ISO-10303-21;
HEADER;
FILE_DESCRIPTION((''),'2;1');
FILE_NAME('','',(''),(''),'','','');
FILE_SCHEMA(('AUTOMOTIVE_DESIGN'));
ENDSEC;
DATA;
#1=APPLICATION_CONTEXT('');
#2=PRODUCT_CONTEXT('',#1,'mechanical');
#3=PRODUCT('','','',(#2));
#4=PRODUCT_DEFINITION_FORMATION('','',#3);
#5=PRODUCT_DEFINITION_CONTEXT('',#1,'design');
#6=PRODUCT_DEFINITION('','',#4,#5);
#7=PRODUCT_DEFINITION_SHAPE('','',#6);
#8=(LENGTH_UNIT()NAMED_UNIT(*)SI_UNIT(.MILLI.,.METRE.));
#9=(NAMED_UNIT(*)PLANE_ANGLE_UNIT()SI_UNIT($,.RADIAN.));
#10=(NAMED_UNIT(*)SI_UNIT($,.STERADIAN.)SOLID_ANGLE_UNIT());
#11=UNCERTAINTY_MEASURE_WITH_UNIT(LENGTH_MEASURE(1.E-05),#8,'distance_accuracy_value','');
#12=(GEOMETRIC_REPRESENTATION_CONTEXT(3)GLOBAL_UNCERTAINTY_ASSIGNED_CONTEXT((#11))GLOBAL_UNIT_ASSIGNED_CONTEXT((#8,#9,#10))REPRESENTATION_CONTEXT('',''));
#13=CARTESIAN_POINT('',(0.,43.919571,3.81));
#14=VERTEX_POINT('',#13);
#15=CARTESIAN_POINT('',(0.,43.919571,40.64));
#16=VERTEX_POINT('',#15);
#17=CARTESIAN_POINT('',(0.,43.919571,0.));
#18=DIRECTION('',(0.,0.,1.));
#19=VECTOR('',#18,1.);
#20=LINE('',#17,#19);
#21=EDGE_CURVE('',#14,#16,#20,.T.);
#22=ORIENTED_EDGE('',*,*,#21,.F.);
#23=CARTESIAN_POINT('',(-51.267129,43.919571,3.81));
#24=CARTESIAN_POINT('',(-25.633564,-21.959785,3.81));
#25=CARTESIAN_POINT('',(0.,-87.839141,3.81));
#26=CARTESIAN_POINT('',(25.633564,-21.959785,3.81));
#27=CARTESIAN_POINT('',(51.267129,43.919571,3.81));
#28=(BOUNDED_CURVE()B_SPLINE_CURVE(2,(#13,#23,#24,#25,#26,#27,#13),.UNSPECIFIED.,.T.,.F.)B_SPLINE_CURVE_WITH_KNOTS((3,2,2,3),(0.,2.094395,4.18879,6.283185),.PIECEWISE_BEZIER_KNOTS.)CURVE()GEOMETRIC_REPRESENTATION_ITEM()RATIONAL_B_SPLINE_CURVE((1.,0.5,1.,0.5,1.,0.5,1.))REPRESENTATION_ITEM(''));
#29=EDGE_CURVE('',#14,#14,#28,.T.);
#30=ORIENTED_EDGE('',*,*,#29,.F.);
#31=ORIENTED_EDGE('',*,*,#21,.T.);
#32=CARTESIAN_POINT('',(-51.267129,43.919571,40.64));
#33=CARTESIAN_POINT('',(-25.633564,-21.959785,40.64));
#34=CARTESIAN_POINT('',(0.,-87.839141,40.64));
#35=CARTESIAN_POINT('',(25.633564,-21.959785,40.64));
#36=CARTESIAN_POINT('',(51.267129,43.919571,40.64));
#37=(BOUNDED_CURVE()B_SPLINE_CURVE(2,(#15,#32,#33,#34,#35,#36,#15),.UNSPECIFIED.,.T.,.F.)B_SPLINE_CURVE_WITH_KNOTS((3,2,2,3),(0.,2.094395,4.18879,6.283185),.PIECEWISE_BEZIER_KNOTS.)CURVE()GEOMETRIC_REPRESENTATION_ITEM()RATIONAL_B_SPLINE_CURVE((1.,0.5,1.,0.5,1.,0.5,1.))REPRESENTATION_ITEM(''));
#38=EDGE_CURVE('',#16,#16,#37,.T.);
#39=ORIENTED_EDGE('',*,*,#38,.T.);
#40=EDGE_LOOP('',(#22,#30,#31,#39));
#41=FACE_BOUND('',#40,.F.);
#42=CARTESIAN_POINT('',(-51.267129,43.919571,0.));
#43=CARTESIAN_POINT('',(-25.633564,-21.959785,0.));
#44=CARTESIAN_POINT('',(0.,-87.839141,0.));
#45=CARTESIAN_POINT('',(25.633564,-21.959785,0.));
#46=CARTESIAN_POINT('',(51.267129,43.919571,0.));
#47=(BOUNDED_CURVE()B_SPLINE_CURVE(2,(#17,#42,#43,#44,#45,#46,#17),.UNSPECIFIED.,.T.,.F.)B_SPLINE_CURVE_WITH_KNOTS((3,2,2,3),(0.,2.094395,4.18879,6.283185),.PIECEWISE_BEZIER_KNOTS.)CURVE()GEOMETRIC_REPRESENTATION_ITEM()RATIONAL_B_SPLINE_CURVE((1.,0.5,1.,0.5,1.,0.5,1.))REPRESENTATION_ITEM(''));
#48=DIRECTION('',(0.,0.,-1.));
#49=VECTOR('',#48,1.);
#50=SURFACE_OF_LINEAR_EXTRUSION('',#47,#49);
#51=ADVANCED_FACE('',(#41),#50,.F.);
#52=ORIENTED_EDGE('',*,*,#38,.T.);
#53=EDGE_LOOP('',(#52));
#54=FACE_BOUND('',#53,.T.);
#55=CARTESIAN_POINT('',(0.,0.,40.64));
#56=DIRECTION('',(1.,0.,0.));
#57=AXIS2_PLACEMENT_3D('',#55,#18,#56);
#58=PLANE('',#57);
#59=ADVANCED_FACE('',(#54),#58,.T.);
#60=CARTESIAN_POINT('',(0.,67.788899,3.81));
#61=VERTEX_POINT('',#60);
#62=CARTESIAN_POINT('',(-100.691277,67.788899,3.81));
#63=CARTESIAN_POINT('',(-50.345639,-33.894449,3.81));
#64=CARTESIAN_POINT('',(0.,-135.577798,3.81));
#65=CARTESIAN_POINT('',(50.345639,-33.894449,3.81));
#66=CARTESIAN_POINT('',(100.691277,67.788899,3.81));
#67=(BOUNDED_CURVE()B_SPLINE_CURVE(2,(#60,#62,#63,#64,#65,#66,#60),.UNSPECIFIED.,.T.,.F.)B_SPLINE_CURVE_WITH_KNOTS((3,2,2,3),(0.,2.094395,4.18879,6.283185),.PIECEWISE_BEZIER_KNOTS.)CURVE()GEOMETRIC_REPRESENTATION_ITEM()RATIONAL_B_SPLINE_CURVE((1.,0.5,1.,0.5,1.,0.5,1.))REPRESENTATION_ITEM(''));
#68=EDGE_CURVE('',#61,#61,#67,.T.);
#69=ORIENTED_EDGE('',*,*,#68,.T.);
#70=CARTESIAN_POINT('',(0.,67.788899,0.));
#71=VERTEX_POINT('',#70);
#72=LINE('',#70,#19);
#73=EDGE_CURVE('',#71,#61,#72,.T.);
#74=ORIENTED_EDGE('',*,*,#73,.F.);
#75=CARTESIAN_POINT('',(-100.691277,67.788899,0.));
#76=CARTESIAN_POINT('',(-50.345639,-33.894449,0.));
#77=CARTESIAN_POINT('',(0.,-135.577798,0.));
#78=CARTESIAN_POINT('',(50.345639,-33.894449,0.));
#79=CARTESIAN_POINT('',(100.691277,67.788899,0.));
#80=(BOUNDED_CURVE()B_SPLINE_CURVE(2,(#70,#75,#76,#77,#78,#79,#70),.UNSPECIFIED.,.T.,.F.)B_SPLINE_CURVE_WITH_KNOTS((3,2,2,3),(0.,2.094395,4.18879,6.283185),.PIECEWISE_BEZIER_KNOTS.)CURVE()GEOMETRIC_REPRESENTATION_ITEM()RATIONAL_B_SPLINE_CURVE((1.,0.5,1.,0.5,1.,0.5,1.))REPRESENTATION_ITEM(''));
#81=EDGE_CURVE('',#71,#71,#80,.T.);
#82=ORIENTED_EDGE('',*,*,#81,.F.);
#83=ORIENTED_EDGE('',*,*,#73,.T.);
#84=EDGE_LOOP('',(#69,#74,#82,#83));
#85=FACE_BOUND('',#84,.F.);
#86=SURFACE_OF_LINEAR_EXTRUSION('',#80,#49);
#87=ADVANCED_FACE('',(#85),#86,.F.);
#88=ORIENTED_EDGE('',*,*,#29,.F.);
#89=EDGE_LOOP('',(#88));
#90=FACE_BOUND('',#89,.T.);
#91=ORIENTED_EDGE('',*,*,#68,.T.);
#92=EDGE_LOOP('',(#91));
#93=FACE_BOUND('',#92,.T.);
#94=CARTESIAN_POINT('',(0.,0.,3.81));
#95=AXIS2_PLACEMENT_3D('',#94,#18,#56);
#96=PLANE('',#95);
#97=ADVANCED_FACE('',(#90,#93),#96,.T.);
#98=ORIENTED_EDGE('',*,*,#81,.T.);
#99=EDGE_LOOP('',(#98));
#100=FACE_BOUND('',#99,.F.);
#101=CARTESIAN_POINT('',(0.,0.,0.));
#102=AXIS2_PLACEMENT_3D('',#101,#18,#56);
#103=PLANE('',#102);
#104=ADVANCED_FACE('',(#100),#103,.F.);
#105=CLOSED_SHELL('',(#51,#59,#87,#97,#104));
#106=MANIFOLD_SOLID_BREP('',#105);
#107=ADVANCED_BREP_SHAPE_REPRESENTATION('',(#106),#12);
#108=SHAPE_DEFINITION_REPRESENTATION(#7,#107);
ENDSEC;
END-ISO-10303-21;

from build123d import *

# Parameters (mm, degrees)
F1_DEPTH = 40.64
F2_DEPTH = 3.81


with BuildPart() as f1:
    # F0 (on Top) → F1 (new body)
    with BuildSketch(Plane.XY):
        with BuildLine():
            add(Edge.make_bspline(
                [(0, 43.919571), (-51.267129, 43.919571), (-25.633564, -21.959785), (0, -87.839141), (25.633564, -21.959785), (51.267129, 43.919571), (0, 43.919571)],
                knots=[0, 0, 0, 2.094395, 2.094395, 4.18879, 4.18879, 6.283185, 6.283185, 6.283185], degree=2, weights=[1, 0.5, 1, 0.5, 1, 0.5, 1]))
        make_face()
    extrude(amount=F1_DEPTH)

    # F0 (on Top) → F2 (join)
    with BuildSketch(Plane.XY):
        with BuildLine():
            add(Edge.make_bspline(
                [(0, 67.788899), (-100.691277, 67.788899), (-50.345639, -33.894449), (0, -135.577798), (50.345639, -33.894449), (100.691277, 67.788899), (0, 67.788899)],
                knots=[0, 0, 0, 2.094395, 2.094395, 4.18879, 4.18879, 6.283185, 6.283185, 6.283185], degree=2, weights=[1, 0.5, 1, 0.5, 1, 0.5, 1]))
        make_face()
        with BuildLine():
            add(Edge.make_bspline(
                [(0, 43.919571), (-51.267129, 43.919571), (-25.633564, -21.959785), (0, -87.839141), (25.633564, -21.959785), (51.267129, 43.919571), (0, 43.919571)],
                knots=[0, 0, 0, 2.094395, 2.094395, 4.18879, 4.18879, 6.283185, 6.283185, 6.283185], degree=2, weights=[1, 0.5, 1, 0.5, 1, 0.5, 1]))
        make_face(mode=Mode.SUBTRACT)
    extrude(amount=F2_DEPTH)


solid = f1.part
